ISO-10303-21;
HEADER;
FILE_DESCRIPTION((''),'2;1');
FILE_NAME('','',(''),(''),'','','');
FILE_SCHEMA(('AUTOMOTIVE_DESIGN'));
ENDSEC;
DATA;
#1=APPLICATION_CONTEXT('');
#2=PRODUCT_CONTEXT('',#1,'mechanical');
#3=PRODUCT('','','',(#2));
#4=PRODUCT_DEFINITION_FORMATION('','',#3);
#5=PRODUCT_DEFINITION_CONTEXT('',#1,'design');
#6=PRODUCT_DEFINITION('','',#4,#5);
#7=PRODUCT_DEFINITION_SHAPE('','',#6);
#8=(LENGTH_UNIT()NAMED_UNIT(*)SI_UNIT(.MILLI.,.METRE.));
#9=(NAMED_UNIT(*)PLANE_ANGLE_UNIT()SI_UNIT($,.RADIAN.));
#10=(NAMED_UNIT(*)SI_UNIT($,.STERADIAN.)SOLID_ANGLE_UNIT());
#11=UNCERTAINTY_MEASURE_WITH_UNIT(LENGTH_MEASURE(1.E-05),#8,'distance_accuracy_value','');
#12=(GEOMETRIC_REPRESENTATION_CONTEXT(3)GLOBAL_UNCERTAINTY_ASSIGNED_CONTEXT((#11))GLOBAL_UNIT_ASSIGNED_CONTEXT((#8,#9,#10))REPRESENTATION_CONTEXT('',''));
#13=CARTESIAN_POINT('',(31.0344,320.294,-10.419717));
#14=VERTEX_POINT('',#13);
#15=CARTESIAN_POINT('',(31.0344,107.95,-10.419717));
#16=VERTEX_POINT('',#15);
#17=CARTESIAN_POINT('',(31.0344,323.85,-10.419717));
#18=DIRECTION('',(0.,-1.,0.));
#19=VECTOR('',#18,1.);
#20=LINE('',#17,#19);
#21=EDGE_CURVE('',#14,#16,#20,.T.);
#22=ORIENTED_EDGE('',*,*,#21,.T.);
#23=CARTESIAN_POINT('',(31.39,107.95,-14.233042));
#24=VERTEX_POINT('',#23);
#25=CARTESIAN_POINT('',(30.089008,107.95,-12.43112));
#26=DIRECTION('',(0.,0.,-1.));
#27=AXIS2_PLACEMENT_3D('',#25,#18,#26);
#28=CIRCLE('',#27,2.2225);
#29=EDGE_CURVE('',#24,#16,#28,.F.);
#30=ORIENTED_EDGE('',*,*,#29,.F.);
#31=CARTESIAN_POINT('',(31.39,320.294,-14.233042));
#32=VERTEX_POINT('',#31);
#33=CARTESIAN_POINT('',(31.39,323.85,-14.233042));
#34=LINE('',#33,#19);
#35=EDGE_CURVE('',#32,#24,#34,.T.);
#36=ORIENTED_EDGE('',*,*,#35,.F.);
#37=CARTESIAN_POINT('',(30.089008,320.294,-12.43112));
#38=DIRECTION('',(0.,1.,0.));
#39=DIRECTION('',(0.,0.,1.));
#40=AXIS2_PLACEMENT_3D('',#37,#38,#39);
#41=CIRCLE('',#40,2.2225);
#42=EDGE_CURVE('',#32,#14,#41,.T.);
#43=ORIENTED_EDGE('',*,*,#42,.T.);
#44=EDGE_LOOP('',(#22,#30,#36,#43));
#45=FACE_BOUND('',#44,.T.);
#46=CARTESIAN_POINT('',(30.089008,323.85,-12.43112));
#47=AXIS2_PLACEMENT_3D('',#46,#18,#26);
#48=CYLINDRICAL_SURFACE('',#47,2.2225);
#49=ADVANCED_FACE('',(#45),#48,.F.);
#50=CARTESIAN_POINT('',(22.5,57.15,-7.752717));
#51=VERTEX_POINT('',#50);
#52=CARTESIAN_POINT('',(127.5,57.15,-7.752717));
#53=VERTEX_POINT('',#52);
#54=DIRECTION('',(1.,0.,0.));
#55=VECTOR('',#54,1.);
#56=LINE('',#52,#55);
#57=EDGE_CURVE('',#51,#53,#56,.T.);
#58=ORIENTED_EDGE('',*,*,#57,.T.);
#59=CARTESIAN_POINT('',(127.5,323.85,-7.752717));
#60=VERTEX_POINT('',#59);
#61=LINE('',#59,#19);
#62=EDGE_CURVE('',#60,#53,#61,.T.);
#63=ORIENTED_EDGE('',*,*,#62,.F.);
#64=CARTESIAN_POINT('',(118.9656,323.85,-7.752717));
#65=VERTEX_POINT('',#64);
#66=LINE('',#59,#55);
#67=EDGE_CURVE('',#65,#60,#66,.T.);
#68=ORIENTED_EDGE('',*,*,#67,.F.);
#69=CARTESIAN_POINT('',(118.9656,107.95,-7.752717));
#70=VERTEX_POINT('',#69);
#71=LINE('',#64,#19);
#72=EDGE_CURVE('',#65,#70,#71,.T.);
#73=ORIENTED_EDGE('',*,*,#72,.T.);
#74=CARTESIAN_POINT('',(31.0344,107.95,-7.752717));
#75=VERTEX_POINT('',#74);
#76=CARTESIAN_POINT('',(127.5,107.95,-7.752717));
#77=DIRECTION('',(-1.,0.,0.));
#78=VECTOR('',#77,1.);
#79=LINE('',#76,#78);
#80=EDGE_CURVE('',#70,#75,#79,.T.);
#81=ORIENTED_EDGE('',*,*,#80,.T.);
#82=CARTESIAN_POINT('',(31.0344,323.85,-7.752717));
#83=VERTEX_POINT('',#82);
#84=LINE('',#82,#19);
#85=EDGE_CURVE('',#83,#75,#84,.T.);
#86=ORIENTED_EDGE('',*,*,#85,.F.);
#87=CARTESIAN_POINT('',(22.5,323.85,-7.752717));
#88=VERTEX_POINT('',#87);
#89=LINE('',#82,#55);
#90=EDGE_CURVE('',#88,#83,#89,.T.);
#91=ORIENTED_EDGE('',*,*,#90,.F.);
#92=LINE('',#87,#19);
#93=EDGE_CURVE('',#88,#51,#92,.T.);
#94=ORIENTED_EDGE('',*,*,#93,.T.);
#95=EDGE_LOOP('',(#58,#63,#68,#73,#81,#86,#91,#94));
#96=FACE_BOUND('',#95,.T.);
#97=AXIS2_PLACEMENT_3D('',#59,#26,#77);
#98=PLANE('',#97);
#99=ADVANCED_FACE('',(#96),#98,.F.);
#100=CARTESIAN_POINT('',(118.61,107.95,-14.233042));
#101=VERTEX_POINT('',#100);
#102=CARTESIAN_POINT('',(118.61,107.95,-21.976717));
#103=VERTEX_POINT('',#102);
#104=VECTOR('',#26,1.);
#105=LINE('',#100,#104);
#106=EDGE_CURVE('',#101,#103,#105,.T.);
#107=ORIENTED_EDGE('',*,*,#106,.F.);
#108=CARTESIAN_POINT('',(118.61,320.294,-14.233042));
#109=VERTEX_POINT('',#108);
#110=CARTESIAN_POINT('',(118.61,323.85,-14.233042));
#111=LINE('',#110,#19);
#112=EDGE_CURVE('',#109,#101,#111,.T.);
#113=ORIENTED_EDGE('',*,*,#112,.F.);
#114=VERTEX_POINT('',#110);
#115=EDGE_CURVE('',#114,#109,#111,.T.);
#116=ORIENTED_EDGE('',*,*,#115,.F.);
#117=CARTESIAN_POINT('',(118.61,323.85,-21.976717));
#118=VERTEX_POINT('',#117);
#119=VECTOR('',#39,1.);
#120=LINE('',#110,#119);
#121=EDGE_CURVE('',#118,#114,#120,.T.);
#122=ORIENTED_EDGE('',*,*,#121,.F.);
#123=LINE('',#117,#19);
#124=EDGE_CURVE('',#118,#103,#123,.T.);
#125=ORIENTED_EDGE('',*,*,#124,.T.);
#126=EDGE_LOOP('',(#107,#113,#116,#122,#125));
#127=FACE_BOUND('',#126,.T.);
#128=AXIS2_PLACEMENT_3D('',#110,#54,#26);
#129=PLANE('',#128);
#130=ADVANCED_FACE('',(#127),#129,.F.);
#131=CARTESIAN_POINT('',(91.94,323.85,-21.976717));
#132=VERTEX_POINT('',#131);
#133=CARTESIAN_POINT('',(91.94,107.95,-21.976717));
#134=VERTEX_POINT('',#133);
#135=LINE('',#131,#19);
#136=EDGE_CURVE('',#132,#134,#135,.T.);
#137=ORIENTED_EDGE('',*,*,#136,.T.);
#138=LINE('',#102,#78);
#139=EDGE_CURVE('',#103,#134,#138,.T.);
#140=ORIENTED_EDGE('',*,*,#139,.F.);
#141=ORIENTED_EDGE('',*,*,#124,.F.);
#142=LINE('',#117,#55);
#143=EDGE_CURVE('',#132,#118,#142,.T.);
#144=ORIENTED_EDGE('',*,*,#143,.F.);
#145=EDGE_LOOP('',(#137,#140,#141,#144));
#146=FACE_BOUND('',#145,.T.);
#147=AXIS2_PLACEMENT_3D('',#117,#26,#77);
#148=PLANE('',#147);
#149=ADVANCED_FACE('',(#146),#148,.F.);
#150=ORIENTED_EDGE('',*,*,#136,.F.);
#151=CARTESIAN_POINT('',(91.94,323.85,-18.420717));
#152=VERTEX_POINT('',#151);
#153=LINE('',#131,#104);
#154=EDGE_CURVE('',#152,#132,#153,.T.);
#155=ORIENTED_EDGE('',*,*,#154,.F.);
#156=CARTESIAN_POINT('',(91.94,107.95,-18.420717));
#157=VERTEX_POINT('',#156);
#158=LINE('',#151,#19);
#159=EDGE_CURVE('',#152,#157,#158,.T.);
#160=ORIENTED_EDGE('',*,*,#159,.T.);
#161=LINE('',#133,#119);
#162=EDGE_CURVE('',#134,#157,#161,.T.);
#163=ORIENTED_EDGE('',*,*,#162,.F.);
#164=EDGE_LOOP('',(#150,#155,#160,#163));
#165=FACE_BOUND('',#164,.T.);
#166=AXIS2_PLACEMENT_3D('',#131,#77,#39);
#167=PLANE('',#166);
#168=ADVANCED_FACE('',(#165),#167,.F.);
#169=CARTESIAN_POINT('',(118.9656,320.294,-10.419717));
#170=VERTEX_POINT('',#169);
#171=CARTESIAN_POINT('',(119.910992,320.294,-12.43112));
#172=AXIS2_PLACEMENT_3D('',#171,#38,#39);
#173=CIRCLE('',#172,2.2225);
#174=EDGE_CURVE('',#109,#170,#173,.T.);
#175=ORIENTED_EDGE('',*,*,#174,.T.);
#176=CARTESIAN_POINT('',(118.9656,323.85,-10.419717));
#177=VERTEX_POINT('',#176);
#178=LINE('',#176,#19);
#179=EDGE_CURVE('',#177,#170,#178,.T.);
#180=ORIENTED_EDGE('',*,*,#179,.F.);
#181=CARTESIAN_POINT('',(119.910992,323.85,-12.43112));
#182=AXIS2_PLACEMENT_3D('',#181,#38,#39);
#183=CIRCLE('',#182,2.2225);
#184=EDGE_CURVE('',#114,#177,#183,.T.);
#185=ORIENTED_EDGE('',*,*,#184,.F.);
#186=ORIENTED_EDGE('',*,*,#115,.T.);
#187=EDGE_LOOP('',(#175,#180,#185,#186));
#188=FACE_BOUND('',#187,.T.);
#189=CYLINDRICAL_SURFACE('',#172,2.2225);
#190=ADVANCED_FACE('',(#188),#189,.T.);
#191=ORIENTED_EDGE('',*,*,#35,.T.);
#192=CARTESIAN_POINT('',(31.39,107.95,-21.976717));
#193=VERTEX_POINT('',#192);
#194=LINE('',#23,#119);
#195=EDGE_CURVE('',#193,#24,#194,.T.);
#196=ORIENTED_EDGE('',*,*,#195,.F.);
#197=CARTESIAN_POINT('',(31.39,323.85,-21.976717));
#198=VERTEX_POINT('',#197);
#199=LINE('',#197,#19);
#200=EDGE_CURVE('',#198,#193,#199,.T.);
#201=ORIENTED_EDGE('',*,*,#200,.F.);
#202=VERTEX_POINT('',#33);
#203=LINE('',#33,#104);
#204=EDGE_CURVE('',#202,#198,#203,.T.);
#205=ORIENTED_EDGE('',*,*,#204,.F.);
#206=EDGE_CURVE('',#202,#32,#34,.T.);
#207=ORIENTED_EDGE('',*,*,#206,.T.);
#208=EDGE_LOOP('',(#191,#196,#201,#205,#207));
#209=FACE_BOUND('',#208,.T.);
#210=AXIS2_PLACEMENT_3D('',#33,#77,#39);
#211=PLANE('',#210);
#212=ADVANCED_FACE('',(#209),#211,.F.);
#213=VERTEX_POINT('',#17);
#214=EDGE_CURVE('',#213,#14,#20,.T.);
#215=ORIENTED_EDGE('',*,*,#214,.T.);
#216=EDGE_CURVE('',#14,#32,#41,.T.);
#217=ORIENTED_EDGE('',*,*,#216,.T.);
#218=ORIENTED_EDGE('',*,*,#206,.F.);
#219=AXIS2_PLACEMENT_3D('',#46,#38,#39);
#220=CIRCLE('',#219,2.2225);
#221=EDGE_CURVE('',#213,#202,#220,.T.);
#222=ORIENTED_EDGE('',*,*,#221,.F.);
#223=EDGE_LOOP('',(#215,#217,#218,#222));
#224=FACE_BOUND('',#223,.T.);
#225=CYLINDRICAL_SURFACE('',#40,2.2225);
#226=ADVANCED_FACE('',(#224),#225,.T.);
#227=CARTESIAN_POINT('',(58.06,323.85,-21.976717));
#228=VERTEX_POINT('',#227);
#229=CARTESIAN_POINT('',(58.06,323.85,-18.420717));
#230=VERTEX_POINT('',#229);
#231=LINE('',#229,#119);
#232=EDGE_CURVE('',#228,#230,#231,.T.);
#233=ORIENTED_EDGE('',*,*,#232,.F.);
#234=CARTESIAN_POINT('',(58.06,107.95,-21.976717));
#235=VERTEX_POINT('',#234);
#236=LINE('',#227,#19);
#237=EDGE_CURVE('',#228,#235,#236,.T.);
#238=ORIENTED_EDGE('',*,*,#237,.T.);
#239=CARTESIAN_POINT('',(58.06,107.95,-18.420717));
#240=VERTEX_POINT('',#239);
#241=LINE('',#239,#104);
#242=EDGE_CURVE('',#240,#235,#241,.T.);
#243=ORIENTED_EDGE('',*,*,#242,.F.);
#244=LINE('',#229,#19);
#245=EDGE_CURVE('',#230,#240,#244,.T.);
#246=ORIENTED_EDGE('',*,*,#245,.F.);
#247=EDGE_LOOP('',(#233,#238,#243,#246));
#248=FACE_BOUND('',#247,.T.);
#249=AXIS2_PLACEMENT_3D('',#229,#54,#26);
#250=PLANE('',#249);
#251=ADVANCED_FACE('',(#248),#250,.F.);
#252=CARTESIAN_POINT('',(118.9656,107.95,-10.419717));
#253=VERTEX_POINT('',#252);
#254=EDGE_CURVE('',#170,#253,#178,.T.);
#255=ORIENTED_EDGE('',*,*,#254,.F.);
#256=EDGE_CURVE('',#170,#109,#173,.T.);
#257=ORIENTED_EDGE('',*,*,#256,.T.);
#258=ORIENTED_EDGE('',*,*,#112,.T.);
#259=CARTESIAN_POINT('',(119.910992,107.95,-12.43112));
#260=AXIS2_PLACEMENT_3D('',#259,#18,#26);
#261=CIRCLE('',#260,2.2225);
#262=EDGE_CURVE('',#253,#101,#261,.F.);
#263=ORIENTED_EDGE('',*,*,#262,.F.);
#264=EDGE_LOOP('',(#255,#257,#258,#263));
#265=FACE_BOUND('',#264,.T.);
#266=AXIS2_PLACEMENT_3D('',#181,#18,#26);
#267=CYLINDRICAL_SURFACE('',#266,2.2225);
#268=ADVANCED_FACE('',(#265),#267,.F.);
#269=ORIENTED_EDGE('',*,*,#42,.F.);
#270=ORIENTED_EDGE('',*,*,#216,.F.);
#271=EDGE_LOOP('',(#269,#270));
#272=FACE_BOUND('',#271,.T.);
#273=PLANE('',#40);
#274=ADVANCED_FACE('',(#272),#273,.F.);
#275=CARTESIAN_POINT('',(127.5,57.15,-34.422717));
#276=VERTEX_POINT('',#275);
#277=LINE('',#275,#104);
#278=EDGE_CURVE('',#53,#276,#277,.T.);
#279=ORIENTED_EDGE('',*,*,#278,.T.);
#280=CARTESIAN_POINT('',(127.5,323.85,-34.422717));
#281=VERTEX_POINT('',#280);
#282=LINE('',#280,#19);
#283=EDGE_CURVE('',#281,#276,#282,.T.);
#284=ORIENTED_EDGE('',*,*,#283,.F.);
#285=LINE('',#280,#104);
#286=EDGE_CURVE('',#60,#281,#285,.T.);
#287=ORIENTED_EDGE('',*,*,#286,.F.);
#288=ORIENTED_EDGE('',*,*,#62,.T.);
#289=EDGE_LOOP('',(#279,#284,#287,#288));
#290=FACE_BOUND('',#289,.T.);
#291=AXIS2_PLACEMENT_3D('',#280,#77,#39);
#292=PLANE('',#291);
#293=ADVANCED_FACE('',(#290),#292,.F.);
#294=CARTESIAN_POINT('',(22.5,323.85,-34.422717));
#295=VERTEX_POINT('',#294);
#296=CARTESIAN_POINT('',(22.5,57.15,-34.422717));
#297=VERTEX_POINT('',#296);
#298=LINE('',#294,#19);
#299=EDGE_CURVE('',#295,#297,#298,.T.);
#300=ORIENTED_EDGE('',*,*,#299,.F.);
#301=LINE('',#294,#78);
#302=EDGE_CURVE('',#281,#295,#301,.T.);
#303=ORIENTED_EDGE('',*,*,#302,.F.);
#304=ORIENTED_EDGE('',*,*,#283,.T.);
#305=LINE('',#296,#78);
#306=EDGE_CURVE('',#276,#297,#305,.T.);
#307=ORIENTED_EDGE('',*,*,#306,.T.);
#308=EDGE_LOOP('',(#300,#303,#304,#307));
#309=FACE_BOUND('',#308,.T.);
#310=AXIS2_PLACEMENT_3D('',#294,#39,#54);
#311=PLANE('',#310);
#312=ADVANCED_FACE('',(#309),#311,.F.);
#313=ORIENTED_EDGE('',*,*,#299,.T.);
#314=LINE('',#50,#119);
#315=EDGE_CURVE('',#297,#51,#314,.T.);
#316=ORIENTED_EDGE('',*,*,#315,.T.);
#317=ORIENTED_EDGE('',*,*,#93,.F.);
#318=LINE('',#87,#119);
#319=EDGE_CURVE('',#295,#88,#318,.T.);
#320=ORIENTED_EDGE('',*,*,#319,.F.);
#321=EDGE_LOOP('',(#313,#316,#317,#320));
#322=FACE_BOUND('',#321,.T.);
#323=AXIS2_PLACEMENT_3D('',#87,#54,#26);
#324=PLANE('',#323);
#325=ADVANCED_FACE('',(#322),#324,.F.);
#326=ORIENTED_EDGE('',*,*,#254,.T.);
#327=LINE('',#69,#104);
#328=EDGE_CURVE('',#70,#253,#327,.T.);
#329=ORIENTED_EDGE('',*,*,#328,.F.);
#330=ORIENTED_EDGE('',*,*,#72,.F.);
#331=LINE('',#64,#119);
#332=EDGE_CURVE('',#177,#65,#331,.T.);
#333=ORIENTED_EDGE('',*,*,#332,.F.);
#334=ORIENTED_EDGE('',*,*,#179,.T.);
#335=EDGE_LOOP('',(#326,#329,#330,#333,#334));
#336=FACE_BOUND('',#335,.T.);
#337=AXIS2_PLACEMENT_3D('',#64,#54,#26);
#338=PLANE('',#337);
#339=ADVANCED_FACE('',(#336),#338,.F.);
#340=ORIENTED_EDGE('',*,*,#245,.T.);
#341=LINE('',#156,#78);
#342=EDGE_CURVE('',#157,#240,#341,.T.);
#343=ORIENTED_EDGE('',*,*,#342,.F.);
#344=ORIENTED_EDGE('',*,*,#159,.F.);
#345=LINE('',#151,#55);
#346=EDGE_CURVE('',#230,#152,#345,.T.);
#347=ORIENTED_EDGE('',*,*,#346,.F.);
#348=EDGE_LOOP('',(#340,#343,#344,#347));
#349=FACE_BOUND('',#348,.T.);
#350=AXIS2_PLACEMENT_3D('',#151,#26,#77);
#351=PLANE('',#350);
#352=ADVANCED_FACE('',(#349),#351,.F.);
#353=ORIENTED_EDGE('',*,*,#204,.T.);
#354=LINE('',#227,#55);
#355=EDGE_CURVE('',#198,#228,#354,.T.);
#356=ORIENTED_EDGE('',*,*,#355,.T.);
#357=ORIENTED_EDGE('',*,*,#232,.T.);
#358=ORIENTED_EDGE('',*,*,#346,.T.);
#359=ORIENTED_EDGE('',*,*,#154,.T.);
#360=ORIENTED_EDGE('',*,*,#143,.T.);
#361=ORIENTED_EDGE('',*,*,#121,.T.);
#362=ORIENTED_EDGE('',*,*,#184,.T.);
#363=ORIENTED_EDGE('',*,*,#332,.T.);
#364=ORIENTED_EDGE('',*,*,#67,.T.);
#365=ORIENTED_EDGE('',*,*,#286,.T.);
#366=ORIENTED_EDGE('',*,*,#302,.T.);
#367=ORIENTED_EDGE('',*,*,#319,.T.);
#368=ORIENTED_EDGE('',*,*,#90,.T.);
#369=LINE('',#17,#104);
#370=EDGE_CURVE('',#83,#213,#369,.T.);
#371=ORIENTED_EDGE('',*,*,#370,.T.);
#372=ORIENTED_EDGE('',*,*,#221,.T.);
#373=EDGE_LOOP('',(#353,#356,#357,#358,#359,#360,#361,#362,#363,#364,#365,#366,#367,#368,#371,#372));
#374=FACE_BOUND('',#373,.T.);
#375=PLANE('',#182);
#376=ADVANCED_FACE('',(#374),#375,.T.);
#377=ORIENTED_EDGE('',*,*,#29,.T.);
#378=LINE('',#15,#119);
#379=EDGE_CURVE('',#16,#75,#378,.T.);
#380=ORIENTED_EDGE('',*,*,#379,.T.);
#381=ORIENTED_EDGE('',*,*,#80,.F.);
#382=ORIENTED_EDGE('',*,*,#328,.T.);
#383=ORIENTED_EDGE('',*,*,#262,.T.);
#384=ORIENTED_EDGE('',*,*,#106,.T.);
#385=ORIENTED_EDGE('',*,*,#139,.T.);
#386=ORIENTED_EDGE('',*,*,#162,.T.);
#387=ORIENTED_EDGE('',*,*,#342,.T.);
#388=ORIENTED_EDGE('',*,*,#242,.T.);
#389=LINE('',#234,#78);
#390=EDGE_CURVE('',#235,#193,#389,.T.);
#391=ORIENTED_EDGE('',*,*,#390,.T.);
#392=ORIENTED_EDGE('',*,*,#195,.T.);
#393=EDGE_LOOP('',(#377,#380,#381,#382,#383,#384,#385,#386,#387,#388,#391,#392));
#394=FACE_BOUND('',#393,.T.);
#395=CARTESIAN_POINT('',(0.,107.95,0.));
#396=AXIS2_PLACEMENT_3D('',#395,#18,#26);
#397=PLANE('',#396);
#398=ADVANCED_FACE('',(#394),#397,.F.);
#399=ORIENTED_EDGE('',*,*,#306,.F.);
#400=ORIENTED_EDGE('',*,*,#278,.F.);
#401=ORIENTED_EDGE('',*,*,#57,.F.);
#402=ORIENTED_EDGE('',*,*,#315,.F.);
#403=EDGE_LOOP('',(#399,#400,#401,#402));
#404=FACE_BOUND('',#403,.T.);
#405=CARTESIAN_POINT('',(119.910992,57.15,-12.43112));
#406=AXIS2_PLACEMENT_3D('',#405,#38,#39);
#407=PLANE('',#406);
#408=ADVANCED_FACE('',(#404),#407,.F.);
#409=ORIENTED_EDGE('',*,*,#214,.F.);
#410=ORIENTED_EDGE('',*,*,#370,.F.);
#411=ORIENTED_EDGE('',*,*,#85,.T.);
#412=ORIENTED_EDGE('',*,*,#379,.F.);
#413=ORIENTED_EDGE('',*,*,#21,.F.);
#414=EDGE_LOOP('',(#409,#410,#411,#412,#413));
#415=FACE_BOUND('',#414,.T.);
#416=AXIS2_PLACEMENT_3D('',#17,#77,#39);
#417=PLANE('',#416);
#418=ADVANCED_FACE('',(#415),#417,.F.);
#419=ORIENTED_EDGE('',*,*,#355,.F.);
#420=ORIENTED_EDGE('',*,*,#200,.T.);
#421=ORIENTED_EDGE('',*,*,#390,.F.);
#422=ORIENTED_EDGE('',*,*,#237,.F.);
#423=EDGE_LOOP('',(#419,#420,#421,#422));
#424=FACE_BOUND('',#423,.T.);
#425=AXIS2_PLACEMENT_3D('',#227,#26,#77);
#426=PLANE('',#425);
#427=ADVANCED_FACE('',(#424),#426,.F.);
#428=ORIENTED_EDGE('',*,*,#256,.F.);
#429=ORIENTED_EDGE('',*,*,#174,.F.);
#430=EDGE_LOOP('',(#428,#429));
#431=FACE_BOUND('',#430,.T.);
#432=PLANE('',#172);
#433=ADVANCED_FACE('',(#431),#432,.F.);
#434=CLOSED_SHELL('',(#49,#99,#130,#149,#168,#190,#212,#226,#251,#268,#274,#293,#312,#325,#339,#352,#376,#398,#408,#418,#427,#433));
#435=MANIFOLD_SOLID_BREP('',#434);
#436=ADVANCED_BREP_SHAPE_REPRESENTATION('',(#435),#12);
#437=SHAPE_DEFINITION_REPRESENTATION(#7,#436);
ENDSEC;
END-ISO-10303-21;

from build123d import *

# Parameters (mm, degrees)
BOSS_EXTRUDE1_DEPTH = 381
SKETCH4_R           = 3.175
BOSS_EXTRUDE2_DEPTH = 5.08
BOSS_EXTRUDE3_START = -5.08
SKETCH5_R           = 3.175
BOSS_EXTRUDE3_DEPTH = 5.08
SCALE1_SCALE        = 0.7
SKETCH8_W           = 105
SKETCH8_H           = 26.67
BOSS_EXTRUDE6_DEPTH = 50.8


with BuildPart() as part:
    # Sketch3 → Boss-Extrude1 (new body)
    with BuildSketch(Plane(origin=(0, 0, 0), x_dir=(1, 0, 0), z_dir=(0, 1, 0))):
        with BuildLine():
            Line((0, 0), (0, 38.1))
            Line((0, 38.1), (150, 38.1))
            Line((150, 38.1), (150, 0))
            Line((150, 0), (137.808, 0))
            Line((137.808, 0), (137.808, 3.81))
            ThreePointArc((137.808, 3.81), (142.319844489, 6.978228189), (137.3, 9.257607897))
            Line((137.3, 9.257607897), (137.3, 20.32))
            Line((137.3, 20.32), (99.2, 20.32))
            Line((99.2, 20.32), (99.2, 15.24))
            Line((99.2, 15.24), (50.8, 15.24))
            Line((50.8, 15.24), (50.8, 20.32))
            Line((50.8, 20.32), (12.7, 20.32))
            Line((12.7, 20.32), (12.7, 9.257607897))
            ThreePointArc((12.7, 9.257607897), (7.680155511, 6.978228189), (12.192, 3.81))
            Line((12.192, 3.81), (12.192, 0))
            Line((12.192, 0), (0, 0))
        make_face()
    extrude(amount=BOSS_EXTRUDE1_DEPTH)

    # Sketch4 → Boss-Extrude2 (add)
    with BuildSketch(Plane(origin=(0, 0, 0), x_dir=(1, 0, 0), z_dir=(0, 1, 0))):
        with Locations((10.841440118, 6.683432269)):
            Circle(SKETCH4_R)
        with Locations((139.158559882, 6.683432269)):
            Circle(SKETCH4_R)
    extrude(amount=BOSS_EXTRUDE2_DEPTH)

    # Sketch5 → Boss-Extrude3 (add)
    with BuildSketch(Plane(origin=(0, 381, 0), x_dir=(1, 0, 0), z_dir=(0, 1, 0)).offset(BOSS_EXTRUDE3_START)):
        with Locations((139.158559882, 6.683432269)):
            Circle(SKETCH5_R)
        with Locations((10.841440118, 6.683432269)):
            Circle(SKETCH5_R)
    extrude(amount=BOSS_EXTRUDE3_DEPTH)


with BuildPart() as part_1:
    # Scale1: scaled about (75, 190.5, -25.842389862)
    add(part.part.scale(SCALE1_SCALE).moved(Location((22.5, 57.15, -7.752716959))))

    # Sketch8 → Boss-Extrude6 (add)
    with BuildSketch(Plane.XZ.offset(-57.15)):
        with Locations((75, -21.087716959)):
            Rectangle(SKETCH8_W, SKETCH8_H)
    extrude(amount=-BOSS_EXTRUDE6_DEPTH)


solid = part_1.part
